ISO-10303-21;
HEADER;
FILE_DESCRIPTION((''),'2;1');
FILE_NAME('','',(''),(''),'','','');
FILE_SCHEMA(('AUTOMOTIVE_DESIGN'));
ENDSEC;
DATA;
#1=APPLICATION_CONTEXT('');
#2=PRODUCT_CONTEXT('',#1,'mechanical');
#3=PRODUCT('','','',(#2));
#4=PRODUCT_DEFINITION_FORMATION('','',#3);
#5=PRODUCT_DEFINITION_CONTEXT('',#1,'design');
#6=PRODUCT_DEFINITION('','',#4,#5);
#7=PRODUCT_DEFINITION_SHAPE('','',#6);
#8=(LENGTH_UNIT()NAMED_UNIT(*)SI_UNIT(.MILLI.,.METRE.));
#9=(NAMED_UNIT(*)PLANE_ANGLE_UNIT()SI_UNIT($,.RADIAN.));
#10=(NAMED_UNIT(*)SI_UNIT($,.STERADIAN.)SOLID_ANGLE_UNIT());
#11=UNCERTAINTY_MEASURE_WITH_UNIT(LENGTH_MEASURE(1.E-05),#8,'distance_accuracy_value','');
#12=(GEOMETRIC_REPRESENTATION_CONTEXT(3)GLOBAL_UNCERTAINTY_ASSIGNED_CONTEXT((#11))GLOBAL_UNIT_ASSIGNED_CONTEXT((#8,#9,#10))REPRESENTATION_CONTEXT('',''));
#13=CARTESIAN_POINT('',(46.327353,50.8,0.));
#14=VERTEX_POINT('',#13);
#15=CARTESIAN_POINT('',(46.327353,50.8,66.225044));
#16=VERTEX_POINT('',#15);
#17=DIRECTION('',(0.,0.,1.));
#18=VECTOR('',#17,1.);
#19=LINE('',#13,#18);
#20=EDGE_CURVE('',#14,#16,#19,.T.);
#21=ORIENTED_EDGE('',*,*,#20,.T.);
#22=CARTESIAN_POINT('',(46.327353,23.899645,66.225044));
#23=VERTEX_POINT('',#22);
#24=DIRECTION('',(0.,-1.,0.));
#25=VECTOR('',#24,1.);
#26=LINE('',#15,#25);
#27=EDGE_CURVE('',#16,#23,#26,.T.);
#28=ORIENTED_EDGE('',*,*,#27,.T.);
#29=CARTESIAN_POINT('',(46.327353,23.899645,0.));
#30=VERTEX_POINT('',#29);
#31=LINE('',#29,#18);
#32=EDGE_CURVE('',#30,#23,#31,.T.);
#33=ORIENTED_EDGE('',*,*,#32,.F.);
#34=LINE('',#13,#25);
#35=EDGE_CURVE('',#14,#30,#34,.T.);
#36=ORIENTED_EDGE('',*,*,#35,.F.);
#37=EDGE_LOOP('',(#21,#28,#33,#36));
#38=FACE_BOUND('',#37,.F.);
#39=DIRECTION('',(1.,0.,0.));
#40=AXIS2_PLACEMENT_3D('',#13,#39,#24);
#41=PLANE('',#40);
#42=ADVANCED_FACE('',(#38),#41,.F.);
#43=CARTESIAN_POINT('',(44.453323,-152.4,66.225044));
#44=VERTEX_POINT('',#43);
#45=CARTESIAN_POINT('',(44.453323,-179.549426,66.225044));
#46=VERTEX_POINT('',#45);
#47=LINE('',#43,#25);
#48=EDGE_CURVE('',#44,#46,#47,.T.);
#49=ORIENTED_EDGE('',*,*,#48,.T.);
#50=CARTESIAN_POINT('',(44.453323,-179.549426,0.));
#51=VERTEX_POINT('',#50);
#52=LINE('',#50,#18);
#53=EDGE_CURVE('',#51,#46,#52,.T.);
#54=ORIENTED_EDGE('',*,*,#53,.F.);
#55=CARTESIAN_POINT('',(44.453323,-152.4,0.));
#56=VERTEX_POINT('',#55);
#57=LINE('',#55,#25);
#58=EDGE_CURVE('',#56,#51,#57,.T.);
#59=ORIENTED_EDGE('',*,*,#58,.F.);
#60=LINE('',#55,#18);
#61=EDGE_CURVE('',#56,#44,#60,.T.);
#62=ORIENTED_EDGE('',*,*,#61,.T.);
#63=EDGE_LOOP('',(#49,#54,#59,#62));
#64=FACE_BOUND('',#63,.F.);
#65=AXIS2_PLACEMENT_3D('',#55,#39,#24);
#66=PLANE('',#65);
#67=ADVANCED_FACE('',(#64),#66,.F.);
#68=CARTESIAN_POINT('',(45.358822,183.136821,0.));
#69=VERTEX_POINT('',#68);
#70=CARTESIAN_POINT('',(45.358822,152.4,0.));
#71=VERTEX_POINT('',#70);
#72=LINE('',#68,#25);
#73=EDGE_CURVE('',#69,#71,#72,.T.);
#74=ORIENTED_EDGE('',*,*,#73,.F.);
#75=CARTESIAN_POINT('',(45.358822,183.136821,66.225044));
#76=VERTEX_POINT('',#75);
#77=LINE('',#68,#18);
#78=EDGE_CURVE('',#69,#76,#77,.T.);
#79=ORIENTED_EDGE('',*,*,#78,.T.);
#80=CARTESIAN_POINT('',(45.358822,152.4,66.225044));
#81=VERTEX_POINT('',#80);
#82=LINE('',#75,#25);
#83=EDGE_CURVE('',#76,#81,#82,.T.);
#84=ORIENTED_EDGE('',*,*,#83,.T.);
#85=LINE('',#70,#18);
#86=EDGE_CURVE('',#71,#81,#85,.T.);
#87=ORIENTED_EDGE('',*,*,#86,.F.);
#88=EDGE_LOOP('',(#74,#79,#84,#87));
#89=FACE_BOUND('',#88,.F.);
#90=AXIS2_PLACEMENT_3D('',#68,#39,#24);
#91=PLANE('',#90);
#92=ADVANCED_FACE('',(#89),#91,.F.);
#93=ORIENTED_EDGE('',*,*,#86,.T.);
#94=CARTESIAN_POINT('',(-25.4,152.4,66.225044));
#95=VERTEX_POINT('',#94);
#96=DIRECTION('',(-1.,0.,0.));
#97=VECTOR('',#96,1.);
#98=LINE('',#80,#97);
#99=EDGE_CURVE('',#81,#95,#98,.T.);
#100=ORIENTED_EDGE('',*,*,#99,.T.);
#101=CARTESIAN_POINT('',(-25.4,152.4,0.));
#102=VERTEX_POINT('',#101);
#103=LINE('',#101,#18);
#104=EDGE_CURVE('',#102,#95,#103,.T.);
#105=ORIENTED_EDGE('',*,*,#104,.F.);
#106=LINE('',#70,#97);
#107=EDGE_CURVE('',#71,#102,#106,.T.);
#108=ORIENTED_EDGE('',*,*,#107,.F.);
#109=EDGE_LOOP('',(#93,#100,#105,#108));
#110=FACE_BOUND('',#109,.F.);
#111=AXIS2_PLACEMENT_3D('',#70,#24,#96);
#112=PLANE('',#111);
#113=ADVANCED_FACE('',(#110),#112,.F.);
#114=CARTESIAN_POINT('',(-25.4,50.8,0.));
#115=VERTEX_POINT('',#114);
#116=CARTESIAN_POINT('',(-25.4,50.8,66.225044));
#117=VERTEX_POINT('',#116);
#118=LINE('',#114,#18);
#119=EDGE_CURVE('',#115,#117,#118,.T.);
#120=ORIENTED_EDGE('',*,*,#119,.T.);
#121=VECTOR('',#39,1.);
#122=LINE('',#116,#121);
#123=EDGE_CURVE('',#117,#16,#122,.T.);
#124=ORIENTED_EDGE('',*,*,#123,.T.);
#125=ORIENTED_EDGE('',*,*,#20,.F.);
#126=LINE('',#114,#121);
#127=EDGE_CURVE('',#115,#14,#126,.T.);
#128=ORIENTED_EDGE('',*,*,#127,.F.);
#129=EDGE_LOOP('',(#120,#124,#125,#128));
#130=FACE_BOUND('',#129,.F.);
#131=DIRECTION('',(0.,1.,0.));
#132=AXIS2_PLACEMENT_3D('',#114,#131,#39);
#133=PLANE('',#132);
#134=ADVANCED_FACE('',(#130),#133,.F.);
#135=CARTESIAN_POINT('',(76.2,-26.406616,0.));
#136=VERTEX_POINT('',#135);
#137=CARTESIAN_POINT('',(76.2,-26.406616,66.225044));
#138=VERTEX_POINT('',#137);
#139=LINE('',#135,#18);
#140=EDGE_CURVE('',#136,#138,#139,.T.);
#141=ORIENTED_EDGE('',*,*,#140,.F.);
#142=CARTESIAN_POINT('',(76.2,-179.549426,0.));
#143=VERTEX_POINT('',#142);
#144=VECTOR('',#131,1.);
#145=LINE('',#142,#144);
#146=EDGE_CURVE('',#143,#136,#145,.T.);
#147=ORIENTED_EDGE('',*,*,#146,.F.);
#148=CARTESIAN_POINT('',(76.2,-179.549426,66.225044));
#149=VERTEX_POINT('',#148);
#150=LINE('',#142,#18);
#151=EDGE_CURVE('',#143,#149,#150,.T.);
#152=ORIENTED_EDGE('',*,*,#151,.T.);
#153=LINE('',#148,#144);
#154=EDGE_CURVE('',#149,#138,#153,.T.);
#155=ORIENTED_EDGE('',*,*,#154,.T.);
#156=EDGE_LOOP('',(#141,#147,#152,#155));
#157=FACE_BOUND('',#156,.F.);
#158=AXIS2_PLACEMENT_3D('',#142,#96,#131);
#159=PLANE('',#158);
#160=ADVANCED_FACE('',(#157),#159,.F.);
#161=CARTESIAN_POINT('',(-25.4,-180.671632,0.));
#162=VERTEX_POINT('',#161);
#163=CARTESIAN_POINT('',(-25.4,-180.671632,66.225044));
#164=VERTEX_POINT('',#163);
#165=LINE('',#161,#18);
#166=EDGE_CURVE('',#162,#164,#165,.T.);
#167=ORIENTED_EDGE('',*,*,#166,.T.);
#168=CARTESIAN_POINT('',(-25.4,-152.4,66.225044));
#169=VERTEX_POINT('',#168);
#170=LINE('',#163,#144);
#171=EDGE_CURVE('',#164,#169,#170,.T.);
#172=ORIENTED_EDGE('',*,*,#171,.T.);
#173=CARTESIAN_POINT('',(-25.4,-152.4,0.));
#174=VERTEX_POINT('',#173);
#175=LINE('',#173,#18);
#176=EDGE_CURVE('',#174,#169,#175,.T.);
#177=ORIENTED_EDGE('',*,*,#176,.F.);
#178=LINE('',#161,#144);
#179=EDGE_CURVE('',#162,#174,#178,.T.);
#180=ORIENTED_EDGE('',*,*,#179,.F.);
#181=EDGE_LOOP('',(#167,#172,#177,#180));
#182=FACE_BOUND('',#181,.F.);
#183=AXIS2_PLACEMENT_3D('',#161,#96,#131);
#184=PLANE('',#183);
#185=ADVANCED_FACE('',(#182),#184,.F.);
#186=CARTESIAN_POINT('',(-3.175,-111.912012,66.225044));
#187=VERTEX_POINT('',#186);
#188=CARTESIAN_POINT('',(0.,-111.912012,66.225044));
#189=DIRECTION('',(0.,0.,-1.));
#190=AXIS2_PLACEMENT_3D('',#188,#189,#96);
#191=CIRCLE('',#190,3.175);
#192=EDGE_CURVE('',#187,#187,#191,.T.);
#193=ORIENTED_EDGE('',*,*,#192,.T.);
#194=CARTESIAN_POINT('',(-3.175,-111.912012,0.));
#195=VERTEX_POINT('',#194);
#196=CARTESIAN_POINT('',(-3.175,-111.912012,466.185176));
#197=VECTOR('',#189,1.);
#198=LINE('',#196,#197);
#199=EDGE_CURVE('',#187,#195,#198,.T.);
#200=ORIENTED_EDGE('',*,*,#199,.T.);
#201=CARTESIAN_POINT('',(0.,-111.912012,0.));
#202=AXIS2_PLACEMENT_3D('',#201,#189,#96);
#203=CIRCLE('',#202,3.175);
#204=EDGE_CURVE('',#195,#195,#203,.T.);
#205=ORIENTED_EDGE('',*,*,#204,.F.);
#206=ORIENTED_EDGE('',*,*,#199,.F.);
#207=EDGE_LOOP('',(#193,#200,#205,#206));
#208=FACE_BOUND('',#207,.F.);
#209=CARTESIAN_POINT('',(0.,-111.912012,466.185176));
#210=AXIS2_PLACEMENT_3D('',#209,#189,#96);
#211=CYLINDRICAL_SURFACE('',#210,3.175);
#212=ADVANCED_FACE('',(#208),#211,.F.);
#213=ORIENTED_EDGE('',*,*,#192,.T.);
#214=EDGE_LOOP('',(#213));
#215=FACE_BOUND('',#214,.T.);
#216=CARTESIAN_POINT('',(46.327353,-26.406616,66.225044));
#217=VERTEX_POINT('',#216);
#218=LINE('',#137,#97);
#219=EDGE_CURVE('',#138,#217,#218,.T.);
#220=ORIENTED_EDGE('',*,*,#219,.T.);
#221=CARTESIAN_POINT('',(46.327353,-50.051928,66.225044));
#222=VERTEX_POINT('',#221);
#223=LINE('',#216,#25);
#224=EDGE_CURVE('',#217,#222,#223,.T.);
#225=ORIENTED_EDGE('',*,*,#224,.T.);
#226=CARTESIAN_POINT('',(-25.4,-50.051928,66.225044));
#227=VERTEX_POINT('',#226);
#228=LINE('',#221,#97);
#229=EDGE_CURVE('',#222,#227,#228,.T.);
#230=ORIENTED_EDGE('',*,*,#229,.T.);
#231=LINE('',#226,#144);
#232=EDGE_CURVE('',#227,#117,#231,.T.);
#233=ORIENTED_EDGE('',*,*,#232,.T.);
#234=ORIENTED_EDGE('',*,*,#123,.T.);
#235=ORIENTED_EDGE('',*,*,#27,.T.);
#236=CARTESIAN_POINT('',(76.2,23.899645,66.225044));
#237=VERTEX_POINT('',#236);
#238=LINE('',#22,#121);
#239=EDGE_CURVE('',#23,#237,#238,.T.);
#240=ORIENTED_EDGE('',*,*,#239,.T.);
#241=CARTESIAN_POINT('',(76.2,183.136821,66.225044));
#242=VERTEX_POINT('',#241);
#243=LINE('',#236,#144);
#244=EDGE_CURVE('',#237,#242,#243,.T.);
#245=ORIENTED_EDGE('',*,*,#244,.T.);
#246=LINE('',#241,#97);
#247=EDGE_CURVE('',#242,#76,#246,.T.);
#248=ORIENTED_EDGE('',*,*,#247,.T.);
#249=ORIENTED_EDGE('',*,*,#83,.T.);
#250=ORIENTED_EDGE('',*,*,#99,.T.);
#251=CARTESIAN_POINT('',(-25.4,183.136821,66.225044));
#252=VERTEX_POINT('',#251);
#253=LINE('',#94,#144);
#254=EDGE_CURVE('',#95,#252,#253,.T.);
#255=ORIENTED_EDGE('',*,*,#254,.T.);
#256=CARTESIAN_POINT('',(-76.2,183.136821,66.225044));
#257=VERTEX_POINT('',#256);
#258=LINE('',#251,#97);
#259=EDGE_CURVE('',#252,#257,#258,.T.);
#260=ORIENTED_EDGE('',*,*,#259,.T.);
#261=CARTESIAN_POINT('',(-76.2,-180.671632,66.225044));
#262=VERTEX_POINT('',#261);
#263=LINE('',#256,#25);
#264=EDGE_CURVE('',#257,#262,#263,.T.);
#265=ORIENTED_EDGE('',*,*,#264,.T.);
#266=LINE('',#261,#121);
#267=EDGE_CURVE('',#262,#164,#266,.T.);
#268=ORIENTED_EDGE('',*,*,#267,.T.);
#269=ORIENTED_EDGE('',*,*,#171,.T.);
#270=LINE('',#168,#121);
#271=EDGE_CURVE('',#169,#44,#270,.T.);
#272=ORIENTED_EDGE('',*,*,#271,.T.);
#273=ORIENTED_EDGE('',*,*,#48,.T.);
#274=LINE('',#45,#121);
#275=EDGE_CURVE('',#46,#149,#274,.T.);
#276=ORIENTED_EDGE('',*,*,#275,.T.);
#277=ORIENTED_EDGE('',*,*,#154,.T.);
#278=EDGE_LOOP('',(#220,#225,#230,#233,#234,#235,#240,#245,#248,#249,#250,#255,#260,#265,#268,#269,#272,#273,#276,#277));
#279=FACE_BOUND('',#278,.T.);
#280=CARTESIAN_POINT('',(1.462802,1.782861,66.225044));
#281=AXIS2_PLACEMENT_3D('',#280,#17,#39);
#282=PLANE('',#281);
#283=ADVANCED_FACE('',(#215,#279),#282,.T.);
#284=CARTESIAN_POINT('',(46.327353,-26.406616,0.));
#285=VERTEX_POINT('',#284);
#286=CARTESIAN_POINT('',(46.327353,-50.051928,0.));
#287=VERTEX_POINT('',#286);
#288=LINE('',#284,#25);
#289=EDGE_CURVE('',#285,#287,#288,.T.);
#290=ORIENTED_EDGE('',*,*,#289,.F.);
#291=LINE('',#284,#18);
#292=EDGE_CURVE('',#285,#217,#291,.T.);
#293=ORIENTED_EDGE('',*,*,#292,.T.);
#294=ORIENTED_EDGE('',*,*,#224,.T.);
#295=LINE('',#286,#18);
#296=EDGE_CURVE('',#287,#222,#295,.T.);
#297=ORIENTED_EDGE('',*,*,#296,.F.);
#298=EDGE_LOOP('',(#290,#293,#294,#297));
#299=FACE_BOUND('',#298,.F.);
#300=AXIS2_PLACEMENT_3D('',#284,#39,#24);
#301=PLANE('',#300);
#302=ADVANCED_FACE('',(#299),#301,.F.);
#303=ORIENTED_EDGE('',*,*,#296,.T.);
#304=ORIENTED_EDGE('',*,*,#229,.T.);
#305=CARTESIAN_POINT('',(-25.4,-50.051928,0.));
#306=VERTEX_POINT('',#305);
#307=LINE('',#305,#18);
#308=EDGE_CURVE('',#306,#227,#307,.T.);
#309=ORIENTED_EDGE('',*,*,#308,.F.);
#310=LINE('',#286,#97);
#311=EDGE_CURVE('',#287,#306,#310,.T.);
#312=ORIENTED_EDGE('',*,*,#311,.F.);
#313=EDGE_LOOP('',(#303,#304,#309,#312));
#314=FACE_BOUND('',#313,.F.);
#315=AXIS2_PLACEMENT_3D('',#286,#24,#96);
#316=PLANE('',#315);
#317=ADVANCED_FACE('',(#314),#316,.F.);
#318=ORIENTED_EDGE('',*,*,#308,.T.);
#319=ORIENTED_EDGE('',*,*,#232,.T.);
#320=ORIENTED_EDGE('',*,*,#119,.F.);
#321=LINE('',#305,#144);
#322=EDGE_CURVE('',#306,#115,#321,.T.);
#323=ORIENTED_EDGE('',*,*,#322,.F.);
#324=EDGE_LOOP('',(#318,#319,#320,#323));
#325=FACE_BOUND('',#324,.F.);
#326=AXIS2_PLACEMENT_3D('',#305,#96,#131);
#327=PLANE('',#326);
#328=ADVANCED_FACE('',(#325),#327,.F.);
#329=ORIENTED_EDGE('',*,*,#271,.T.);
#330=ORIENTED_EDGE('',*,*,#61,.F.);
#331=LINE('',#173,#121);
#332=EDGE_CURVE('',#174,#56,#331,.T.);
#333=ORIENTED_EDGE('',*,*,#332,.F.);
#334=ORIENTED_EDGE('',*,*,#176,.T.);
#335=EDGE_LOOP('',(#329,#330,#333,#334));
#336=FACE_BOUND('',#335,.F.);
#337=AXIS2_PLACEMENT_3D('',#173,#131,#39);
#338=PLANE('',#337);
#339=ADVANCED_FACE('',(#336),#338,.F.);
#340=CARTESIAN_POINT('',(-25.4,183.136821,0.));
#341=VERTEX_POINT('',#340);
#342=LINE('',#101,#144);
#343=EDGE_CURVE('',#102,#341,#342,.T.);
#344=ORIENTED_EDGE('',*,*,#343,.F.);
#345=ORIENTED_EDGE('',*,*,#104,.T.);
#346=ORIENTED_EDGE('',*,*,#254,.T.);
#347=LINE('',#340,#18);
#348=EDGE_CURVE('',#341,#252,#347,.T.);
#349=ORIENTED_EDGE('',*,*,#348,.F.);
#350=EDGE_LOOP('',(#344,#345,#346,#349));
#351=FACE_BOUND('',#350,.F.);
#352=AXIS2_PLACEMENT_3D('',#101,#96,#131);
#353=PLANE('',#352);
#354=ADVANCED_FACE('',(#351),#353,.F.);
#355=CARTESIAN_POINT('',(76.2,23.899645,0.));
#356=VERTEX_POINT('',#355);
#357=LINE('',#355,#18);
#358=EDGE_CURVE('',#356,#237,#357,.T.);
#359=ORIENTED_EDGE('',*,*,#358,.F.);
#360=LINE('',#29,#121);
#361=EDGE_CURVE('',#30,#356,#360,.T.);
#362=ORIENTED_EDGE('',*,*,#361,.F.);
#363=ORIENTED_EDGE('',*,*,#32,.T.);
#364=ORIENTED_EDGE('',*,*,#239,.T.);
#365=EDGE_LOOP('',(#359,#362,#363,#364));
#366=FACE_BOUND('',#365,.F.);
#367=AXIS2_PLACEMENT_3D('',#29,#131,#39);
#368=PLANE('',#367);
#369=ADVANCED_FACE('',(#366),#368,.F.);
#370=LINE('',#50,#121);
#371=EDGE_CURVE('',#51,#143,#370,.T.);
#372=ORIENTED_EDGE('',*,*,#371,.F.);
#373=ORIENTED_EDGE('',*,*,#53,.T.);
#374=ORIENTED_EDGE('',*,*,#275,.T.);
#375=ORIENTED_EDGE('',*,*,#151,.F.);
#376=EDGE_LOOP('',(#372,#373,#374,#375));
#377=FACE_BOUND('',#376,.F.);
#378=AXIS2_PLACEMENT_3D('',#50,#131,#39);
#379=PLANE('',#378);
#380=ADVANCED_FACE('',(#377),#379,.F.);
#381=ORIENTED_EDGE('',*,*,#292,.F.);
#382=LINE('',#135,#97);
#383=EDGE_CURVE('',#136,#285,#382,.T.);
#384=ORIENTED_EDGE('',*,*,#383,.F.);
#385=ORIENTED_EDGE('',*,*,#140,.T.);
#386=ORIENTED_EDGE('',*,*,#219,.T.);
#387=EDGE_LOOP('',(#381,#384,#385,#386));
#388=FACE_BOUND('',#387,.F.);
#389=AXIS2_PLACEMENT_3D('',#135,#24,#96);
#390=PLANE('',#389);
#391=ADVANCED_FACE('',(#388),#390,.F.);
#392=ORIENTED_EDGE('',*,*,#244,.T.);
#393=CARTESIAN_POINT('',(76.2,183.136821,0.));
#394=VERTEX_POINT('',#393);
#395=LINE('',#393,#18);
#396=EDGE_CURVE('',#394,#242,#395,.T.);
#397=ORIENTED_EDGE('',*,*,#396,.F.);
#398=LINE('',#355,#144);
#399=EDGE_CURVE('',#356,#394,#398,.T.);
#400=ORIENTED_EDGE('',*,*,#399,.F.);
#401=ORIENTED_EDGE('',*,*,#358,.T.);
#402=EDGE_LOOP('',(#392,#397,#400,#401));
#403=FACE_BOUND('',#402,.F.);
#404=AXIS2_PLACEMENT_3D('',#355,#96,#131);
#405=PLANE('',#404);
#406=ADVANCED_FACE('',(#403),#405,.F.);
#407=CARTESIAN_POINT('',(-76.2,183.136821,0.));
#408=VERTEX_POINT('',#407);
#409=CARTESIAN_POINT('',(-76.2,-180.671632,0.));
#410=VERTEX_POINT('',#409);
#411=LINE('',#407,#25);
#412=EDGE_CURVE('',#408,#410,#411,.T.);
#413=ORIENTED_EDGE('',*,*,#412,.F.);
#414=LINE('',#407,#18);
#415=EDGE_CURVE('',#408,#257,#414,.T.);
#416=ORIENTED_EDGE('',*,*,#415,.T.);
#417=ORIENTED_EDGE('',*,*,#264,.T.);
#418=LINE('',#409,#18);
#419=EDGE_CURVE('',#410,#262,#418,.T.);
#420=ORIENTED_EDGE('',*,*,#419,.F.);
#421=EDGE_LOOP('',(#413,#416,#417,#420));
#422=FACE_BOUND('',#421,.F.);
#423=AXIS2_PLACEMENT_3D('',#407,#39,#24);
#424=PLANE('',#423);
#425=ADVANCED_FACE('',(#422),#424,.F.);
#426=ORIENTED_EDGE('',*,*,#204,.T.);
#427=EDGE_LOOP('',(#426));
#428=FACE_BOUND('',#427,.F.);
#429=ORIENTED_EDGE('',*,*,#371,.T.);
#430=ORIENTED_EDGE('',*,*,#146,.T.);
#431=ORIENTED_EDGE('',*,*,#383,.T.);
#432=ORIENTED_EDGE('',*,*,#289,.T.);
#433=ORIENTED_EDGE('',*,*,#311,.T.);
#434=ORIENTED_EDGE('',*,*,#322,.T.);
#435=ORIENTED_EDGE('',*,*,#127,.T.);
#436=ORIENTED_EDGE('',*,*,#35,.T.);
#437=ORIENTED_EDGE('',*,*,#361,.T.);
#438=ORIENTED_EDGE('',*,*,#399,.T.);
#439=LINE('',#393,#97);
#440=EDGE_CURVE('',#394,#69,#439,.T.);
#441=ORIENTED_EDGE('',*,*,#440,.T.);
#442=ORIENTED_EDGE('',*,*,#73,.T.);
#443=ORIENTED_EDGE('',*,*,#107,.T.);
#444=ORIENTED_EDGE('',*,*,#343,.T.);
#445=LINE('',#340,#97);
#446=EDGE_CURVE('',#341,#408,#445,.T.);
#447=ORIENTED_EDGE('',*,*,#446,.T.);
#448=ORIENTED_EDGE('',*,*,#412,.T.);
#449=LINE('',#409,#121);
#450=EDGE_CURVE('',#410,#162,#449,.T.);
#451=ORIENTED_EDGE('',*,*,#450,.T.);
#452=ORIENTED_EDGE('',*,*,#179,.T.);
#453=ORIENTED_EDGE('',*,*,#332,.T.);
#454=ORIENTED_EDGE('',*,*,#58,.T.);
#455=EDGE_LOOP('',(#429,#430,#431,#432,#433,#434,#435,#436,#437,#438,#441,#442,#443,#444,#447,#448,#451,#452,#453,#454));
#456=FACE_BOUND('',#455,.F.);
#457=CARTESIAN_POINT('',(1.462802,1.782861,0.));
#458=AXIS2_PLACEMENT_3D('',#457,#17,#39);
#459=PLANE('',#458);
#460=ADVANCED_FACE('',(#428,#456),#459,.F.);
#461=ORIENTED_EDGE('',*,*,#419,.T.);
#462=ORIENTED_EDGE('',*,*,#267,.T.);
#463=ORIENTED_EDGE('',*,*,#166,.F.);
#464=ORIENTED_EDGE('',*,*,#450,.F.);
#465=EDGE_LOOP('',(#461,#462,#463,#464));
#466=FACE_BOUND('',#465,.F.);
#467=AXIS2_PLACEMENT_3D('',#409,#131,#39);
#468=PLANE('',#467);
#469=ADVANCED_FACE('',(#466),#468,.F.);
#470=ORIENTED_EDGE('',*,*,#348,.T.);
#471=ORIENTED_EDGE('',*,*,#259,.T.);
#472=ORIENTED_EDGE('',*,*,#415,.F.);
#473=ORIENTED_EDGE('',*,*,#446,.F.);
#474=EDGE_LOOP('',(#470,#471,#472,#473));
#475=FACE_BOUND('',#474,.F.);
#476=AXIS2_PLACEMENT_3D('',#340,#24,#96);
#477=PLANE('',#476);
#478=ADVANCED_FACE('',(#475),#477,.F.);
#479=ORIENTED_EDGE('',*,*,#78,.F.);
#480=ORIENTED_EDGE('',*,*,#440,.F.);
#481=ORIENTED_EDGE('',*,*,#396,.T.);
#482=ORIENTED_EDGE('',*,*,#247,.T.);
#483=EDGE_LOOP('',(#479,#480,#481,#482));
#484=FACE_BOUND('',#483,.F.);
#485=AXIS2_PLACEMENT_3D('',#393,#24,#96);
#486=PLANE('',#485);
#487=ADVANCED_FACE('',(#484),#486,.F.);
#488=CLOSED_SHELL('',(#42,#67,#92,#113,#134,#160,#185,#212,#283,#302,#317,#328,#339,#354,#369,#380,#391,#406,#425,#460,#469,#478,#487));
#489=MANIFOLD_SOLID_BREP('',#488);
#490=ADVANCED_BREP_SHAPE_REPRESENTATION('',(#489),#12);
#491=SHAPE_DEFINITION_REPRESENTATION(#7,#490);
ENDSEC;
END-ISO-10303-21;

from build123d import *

# Parameters (mm, degrees)
F1_DEPTH = 66.225044
F3_D     = 6.35


with BuildPart() as f1:
    # F0 (on Top) → F1 (new body)
    with BuildSketch(Plane.XY):
        Polygon((-25.4, -180.671632), (-25.4, -152.4), (44.453323, -152.4), (44.453323, -179.549426), (76.2, -179.549426), (76.2, -152.4), (76.2, -50.051928), (76.2, -26.406616), (46.327353, -26.406616), (46.327353, -50.051928), (-25.4, -50.051928), (-25.4, 50.8), (46.327353, 50.8), (46.327353, 23.899645), (76.2, 23.899645), (76.2, 50.8), (76.2, 152.4), (76.2, 183.136821), (45.358822, 183.136821), (45.358822, 152.4), (-25.4, 152.4), (-25.4, 183.136821), (-76.2, 183.136821), (-76.2, 152.4), (-76.2, -152.4), (-76.2, -180.671632), align=None)
    extrude(amount=F1_DEPTH)

    # F3 (through all)
    with Locations(Plane.XY.offset(66.225044)):
        with Locations((0, -111.912012)):
            Hole(F3_D / 2)


solid = f1.part
